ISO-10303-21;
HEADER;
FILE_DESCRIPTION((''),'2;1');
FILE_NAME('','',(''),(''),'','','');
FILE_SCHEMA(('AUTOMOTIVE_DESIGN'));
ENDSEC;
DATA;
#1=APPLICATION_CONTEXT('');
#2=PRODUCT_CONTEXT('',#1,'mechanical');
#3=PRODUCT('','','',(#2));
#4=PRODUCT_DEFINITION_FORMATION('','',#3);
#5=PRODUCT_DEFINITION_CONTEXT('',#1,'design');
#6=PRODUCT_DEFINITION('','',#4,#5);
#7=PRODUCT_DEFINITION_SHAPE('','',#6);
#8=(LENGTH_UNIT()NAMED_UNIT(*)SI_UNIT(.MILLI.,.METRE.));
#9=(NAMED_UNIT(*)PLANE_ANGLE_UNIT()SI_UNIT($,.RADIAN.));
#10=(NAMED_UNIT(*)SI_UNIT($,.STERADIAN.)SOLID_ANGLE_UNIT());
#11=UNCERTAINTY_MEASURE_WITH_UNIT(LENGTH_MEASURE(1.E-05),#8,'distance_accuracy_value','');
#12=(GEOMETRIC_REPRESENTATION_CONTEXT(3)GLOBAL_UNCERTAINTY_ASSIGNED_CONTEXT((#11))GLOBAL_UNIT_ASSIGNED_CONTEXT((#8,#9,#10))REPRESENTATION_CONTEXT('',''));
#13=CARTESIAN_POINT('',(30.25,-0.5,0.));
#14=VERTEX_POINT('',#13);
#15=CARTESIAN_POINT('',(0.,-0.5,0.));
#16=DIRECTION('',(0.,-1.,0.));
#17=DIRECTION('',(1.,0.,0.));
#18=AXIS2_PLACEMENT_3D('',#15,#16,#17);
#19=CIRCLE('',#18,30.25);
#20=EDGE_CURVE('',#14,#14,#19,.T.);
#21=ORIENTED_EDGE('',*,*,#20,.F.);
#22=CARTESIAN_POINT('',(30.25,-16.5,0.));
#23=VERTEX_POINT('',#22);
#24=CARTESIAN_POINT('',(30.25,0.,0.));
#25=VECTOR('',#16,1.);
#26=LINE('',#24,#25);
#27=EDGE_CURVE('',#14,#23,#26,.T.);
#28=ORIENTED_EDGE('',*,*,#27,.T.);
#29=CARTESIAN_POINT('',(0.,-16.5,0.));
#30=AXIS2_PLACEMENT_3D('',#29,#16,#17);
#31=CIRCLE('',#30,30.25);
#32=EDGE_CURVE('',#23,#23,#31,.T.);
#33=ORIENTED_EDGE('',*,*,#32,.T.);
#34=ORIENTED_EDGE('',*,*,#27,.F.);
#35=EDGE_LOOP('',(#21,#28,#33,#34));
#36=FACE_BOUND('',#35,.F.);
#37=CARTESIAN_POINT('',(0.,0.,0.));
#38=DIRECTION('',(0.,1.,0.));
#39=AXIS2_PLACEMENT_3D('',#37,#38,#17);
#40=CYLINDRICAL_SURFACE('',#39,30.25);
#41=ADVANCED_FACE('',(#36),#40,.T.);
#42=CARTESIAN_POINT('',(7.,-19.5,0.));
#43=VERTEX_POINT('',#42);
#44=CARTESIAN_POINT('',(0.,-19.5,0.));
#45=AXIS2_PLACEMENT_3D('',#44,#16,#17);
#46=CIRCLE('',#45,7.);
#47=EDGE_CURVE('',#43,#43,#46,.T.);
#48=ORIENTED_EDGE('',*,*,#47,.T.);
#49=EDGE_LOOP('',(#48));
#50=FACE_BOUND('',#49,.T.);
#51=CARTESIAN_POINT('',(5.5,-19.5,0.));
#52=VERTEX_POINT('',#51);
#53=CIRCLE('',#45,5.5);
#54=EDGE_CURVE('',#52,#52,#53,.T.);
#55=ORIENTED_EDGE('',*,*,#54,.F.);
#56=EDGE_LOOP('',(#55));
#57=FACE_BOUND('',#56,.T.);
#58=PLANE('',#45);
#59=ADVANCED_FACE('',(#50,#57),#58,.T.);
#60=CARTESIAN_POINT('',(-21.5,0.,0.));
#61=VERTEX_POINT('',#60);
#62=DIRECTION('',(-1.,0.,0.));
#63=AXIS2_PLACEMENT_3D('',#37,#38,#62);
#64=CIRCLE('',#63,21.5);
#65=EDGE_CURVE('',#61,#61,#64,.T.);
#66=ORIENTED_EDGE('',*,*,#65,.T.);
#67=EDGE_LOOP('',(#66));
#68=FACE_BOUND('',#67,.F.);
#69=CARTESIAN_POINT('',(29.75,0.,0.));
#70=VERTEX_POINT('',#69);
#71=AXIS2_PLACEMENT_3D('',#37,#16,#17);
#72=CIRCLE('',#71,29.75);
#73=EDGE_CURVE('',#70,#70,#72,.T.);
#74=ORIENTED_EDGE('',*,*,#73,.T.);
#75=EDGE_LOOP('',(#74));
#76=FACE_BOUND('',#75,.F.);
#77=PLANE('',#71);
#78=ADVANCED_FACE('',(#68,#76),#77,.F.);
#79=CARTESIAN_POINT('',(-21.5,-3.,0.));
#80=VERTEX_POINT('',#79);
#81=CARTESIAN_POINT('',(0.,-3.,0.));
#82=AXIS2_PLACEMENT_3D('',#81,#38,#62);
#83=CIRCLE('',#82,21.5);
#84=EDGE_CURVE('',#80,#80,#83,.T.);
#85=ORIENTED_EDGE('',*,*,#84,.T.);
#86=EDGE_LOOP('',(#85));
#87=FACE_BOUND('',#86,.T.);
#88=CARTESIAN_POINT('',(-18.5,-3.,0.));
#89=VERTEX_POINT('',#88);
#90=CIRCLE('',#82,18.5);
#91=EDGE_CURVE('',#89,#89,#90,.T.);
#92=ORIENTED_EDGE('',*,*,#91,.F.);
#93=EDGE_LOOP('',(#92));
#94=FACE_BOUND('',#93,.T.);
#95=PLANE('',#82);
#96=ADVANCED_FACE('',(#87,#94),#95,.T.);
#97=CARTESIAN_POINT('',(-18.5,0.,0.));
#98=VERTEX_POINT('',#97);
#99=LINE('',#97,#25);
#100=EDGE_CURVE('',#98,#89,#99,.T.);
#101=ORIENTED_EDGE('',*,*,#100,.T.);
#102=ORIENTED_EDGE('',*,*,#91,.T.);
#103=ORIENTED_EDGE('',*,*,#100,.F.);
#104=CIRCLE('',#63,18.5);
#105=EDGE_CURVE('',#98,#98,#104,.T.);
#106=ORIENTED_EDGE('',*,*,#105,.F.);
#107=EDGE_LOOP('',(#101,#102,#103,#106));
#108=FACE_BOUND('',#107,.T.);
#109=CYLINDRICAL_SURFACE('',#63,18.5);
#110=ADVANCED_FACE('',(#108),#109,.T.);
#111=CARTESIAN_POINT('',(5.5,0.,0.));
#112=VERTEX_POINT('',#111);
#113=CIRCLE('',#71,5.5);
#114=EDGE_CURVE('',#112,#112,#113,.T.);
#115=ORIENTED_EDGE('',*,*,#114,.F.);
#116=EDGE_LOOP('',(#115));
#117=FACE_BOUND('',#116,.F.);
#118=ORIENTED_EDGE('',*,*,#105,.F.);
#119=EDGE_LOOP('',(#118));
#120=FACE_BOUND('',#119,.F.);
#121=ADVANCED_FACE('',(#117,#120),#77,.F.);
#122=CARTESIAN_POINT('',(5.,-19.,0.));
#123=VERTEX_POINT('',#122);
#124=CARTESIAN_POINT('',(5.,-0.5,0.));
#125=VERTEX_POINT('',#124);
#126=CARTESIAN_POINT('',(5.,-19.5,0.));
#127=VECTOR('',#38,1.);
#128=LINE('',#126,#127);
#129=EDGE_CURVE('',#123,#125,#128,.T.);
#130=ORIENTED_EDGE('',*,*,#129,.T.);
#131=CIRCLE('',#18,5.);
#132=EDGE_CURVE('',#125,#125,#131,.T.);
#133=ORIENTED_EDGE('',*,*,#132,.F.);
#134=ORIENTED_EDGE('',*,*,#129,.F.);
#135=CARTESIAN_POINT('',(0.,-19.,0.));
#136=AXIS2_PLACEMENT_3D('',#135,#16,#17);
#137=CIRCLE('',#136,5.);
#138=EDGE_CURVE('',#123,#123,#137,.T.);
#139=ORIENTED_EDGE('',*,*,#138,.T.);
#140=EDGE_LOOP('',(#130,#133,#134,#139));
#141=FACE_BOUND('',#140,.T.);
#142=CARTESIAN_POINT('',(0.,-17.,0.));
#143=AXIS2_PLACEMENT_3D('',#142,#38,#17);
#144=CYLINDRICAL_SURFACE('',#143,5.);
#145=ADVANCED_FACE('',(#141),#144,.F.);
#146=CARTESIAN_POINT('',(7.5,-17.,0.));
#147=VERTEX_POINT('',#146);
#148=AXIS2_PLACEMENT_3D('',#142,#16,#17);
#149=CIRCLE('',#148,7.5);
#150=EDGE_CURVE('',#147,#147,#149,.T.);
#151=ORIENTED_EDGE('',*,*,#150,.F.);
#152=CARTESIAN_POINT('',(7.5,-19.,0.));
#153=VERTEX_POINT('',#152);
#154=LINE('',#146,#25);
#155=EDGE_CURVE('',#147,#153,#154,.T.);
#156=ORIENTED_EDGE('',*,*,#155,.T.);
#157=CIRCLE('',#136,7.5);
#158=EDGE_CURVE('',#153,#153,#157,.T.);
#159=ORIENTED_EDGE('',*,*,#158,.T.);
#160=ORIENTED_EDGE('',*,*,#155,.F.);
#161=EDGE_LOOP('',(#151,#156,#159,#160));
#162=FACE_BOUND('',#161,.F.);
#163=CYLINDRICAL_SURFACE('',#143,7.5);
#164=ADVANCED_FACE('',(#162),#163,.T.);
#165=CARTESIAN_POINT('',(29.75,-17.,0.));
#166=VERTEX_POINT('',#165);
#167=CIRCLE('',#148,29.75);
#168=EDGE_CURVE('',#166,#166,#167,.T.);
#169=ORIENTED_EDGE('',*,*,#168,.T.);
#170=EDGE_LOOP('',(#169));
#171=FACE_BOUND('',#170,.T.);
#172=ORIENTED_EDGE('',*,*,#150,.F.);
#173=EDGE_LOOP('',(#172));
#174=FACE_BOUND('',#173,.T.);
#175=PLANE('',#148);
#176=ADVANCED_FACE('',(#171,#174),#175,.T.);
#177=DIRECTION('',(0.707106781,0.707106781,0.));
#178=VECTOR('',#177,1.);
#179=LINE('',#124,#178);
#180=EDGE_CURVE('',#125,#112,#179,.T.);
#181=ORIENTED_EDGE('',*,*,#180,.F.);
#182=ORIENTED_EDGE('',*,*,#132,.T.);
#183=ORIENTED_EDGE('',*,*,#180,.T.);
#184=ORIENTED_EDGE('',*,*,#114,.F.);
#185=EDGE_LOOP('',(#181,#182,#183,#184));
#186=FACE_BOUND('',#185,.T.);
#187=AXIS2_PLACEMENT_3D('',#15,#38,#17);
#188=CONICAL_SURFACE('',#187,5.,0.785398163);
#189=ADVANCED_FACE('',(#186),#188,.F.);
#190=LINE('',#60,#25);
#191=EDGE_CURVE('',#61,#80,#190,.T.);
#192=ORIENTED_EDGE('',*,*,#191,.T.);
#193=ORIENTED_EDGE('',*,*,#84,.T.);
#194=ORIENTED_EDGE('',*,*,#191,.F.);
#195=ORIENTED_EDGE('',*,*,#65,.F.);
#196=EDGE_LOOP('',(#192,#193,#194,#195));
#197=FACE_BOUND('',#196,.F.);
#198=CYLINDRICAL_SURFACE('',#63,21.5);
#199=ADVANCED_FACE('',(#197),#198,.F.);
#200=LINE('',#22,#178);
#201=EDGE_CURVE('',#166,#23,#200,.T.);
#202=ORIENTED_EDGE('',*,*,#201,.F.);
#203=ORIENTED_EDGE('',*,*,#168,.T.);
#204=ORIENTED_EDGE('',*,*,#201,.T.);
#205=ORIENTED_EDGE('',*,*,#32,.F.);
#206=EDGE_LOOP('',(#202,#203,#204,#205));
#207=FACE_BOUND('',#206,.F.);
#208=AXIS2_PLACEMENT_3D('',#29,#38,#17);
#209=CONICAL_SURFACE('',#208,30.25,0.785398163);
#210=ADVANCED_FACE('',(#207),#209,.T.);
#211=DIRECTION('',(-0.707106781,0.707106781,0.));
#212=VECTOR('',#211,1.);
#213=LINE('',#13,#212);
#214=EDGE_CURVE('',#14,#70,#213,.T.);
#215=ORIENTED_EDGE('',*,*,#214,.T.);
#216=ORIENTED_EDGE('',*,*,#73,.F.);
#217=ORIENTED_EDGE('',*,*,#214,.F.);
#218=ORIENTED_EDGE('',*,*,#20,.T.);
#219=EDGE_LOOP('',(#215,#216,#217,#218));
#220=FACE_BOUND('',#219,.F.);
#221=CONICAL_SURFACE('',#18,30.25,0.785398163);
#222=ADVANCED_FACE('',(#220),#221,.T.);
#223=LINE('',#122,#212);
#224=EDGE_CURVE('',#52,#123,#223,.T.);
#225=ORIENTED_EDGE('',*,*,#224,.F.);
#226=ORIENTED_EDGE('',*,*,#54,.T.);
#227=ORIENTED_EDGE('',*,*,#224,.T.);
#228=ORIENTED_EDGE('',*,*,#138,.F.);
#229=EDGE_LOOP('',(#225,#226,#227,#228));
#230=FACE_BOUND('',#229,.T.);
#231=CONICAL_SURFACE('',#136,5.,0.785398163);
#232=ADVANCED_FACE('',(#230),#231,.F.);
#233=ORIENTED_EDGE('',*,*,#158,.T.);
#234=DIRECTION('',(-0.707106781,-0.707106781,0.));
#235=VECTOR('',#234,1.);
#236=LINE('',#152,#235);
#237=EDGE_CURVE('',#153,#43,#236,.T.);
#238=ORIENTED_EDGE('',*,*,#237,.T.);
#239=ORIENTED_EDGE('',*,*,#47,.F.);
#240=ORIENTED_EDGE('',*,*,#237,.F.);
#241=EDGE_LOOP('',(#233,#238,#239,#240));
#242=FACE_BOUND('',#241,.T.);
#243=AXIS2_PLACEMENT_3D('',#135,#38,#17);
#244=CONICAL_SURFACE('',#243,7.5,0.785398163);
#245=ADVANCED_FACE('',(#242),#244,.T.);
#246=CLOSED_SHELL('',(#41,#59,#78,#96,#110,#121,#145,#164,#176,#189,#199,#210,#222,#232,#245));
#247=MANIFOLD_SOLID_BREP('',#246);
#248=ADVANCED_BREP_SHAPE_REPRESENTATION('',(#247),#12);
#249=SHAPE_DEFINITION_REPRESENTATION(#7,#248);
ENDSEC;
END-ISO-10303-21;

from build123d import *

# Parameters (mm, degrees)
F0_R     = 30.25
F0_R_2   = 5
F1_DEPTH = 17
F2_R     = 7.5
F2_R_2   = 5
F3_DEPTH = 2.5
F4_R     = 21.5
F4_R_2   = 18.5
F5_DEPTH = 3
F6_SIZE  = 0.5


with BuildPart() as f1:
    # F0 (on Front) → F1 (new body)
    with BuildSketch(Plane.XZ):
        Circle(F0_R)
        Circle(F0_R_2, mode=Mode.SUBTRACT)
    extrude(amount=F1_DEPTH)

    # F2 (on face) → F3 (join)
    with BuildSketch(Plane.XZ.offset(17)):
        Circle(F2_R)
        Circle(F2_R_2, mode=Mode.SUBTRACT)
    extrude(amount=F3_DEPTH)

    # F4 (on face) → F5 (cut)
    with BuildSketch(Plane(origin=(0, 0, 0), x_dir=(-1, 0, 0), z_dir=(0, 1, 0))):
        Circle(F4_R)
        Circle(F4_R_2, mode=Mode.SUBTRACT)
    extrude(amount=-F5_DEPTH, mode=Mode.SUBTRACT)

    # F6
    f6_edges = [f1.edges().sort_by_distance(p)[0] for p in [
        (-30.25, -17, 0),
        (-7.5, -19.5, 0),
        (-5, -19.5, 0),
        (-30.25, 0, 0),
        (-5, 0, 0),
    ]]
    chamfer(f6_edges, length=F6_SIZE)


solid = f1.part
